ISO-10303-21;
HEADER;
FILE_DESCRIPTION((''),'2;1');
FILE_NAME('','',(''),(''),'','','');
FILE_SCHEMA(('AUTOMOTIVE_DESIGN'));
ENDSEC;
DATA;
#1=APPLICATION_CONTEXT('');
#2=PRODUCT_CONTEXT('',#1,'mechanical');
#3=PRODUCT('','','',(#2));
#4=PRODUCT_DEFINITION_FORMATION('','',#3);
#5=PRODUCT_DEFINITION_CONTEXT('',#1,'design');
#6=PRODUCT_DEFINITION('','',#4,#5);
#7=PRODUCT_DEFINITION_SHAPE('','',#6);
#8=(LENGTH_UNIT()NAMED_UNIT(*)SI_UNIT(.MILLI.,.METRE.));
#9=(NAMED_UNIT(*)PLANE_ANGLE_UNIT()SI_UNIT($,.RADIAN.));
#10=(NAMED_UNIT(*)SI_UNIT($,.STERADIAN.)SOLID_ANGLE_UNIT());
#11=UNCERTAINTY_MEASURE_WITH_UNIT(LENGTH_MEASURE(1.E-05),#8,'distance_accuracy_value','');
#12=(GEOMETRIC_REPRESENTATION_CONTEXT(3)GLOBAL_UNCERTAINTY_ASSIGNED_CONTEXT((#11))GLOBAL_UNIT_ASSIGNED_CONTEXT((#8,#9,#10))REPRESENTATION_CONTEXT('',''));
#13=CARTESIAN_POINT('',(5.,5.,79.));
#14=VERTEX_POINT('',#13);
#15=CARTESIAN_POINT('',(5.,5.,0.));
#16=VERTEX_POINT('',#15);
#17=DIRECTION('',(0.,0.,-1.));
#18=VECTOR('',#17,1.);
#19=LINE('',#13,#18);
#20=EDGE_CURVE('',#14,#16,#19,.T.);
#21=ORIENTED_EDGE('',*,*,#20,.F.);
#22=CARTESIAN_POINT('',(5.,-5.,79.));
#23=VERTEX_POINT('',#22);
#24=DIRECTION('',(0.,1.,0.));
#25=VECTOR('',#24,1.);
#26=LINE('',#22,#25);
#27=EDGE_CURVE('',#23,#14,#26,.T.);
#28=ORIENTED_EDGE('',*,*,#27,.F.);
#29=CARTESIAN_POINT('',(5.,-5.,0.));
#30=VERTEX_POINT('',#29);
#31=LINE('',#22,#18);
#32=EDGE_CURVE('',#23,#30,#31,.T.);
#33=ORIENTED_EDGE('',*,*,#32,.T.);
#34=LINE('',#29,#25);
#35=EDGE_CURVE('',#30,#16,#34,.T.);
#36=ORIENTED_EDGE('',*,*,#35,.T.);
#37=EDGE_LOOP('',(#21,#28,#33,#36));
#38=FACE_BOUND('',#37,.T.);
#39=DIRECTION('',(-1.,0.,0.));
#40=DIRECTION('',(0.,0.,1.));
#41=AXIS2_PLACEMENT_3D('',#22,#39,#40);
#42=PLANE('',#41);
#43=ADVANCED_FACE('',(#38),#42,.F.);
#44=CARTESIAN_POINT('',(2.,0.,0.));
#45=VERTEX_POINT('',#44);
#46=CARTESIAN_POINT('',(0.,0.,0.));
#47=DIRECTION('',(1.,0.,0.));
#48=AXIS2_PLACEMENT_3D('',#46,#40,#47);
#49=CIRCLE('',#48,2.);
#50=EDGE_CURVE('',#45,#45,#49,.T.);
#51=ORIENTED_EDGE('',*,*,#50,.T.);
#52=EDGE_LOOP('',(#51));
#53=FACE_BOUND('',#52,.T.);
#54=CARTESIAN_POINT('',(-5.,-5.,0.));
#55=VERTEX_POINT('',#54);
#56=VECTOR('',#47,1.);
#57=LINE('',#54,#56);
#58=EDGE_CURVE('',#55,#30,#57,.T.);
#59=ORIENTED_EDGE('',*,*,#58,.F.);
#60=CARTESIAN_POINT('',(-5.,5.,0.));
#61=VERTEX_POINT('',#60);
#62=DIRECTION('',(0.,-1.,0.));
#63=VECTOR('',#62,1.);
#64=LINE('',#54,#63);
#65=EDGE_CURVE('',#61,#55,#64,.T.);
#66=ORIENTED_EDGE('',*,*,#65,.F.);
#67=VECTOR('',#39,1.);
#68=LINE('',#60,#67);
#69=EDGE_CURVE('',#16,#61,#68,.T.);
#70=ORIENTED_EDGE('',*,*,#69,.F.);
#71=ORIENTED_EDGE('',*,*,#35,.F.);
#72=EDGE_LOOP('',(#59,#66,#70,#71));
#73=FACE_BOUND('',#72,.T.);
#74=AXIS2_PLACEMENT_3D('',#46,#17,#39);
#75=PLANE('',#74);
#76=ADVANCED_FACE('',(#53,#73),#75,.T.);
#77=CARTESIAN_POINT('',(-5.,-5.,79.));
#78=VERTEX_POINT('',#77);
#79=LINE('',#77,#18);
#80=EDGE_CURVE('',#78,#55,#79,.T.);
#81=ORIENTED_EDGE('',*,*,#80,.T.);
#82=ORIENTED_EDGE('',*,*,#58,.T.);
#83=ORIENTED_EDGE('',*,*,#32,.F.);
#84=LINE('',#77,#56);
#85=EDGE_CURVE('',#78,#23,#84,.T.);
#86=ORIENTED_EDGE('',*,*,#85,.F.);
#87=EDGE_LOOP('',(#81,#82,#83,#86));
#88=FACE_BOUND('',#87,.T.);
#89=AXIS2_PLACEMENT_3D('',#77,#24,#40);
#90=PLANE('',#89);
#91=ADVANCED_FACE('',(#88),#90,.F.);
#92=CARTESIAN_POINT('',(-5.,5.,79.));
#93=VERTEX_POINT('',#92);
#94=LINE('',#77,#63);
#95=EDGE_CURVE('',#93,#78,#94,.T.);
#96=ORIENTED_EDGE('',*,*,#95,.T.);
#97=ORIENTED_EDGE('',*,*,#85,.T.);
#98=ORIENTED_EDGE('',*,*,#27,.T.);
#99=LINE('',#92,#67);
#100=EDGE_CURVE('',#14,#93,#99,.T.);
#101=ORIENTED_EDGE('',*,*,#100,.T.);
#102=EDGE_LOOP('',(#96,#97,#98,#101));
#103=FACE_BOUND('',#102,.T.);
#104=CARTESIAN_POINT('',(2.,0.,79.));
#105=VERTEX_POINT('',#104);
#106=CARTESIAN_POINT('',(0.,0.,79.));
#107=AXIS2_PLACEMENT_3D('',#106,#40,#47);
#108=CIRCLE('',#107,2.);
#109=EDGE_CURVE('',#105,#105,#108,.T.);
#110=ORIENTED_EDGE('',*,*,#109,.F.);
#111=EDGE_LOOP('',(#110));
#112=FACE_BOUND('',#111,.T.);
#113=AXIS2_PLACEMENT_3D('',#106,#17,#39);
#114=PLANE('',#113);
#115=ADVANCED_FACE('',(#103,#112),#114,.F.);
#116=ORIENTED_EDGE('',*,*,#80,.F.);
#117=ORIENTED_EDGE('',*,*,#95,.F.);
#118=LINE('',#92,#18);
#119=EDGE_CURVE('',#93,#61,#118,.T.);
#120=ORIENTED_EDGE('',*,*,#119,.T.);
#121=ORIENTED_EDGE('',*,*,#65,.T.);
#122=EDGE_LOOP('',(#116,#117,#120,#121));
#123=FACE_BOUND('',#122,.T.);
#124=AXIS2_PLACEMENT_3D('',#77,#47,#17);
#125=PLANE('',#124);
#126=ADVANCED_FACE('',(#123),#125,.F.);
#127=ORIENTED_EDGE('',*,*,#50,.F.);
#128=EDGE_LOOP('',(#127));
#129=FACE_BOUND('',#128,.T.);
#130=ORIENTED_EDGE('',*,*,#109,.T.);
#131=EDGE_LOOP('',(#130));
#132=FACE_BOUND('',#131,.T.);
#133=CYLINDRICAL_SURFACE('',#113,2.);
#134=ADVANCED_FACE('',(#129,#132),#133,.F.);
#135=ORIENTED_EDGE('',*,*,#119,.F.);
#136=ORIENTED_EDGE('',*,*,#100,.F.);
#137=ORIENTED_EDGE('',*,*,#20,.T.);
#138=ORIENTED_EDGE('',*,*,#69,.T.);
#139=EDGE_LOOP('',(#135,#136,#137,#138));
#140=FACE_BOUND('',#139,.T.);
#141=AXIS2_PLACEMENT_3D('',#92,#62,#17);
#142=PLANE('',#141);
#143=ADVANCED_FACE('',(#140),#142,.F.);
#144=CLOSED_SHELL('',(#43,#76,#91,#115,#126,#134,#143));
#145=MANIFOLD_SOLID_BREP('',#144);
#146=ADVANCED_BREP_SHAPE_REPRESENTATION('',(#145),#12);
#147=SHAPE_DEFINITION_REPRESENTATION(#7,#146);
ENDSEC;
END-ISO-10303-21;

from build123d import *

# Parameters (mm, degrees)
SKETCH1_W           = 10
SKETCH1_H           = 10
SKETCH1_R           = 2
BOSS_EXTRUDE1_DEPTH = 79


with BuildPart() as part:
    # Sketch1 → Boss-Extrude1 (new body)
    with BuildSketch(Plane.XY):
        Rectangle(SKETCH1_W, SKETCH1_H)
        Circle(SKETCH1_R, mode=Mode.SUBTRACT)
    extrude(amount=BOSS_EXTRUDE1_DEPTH)


solid = part.part
